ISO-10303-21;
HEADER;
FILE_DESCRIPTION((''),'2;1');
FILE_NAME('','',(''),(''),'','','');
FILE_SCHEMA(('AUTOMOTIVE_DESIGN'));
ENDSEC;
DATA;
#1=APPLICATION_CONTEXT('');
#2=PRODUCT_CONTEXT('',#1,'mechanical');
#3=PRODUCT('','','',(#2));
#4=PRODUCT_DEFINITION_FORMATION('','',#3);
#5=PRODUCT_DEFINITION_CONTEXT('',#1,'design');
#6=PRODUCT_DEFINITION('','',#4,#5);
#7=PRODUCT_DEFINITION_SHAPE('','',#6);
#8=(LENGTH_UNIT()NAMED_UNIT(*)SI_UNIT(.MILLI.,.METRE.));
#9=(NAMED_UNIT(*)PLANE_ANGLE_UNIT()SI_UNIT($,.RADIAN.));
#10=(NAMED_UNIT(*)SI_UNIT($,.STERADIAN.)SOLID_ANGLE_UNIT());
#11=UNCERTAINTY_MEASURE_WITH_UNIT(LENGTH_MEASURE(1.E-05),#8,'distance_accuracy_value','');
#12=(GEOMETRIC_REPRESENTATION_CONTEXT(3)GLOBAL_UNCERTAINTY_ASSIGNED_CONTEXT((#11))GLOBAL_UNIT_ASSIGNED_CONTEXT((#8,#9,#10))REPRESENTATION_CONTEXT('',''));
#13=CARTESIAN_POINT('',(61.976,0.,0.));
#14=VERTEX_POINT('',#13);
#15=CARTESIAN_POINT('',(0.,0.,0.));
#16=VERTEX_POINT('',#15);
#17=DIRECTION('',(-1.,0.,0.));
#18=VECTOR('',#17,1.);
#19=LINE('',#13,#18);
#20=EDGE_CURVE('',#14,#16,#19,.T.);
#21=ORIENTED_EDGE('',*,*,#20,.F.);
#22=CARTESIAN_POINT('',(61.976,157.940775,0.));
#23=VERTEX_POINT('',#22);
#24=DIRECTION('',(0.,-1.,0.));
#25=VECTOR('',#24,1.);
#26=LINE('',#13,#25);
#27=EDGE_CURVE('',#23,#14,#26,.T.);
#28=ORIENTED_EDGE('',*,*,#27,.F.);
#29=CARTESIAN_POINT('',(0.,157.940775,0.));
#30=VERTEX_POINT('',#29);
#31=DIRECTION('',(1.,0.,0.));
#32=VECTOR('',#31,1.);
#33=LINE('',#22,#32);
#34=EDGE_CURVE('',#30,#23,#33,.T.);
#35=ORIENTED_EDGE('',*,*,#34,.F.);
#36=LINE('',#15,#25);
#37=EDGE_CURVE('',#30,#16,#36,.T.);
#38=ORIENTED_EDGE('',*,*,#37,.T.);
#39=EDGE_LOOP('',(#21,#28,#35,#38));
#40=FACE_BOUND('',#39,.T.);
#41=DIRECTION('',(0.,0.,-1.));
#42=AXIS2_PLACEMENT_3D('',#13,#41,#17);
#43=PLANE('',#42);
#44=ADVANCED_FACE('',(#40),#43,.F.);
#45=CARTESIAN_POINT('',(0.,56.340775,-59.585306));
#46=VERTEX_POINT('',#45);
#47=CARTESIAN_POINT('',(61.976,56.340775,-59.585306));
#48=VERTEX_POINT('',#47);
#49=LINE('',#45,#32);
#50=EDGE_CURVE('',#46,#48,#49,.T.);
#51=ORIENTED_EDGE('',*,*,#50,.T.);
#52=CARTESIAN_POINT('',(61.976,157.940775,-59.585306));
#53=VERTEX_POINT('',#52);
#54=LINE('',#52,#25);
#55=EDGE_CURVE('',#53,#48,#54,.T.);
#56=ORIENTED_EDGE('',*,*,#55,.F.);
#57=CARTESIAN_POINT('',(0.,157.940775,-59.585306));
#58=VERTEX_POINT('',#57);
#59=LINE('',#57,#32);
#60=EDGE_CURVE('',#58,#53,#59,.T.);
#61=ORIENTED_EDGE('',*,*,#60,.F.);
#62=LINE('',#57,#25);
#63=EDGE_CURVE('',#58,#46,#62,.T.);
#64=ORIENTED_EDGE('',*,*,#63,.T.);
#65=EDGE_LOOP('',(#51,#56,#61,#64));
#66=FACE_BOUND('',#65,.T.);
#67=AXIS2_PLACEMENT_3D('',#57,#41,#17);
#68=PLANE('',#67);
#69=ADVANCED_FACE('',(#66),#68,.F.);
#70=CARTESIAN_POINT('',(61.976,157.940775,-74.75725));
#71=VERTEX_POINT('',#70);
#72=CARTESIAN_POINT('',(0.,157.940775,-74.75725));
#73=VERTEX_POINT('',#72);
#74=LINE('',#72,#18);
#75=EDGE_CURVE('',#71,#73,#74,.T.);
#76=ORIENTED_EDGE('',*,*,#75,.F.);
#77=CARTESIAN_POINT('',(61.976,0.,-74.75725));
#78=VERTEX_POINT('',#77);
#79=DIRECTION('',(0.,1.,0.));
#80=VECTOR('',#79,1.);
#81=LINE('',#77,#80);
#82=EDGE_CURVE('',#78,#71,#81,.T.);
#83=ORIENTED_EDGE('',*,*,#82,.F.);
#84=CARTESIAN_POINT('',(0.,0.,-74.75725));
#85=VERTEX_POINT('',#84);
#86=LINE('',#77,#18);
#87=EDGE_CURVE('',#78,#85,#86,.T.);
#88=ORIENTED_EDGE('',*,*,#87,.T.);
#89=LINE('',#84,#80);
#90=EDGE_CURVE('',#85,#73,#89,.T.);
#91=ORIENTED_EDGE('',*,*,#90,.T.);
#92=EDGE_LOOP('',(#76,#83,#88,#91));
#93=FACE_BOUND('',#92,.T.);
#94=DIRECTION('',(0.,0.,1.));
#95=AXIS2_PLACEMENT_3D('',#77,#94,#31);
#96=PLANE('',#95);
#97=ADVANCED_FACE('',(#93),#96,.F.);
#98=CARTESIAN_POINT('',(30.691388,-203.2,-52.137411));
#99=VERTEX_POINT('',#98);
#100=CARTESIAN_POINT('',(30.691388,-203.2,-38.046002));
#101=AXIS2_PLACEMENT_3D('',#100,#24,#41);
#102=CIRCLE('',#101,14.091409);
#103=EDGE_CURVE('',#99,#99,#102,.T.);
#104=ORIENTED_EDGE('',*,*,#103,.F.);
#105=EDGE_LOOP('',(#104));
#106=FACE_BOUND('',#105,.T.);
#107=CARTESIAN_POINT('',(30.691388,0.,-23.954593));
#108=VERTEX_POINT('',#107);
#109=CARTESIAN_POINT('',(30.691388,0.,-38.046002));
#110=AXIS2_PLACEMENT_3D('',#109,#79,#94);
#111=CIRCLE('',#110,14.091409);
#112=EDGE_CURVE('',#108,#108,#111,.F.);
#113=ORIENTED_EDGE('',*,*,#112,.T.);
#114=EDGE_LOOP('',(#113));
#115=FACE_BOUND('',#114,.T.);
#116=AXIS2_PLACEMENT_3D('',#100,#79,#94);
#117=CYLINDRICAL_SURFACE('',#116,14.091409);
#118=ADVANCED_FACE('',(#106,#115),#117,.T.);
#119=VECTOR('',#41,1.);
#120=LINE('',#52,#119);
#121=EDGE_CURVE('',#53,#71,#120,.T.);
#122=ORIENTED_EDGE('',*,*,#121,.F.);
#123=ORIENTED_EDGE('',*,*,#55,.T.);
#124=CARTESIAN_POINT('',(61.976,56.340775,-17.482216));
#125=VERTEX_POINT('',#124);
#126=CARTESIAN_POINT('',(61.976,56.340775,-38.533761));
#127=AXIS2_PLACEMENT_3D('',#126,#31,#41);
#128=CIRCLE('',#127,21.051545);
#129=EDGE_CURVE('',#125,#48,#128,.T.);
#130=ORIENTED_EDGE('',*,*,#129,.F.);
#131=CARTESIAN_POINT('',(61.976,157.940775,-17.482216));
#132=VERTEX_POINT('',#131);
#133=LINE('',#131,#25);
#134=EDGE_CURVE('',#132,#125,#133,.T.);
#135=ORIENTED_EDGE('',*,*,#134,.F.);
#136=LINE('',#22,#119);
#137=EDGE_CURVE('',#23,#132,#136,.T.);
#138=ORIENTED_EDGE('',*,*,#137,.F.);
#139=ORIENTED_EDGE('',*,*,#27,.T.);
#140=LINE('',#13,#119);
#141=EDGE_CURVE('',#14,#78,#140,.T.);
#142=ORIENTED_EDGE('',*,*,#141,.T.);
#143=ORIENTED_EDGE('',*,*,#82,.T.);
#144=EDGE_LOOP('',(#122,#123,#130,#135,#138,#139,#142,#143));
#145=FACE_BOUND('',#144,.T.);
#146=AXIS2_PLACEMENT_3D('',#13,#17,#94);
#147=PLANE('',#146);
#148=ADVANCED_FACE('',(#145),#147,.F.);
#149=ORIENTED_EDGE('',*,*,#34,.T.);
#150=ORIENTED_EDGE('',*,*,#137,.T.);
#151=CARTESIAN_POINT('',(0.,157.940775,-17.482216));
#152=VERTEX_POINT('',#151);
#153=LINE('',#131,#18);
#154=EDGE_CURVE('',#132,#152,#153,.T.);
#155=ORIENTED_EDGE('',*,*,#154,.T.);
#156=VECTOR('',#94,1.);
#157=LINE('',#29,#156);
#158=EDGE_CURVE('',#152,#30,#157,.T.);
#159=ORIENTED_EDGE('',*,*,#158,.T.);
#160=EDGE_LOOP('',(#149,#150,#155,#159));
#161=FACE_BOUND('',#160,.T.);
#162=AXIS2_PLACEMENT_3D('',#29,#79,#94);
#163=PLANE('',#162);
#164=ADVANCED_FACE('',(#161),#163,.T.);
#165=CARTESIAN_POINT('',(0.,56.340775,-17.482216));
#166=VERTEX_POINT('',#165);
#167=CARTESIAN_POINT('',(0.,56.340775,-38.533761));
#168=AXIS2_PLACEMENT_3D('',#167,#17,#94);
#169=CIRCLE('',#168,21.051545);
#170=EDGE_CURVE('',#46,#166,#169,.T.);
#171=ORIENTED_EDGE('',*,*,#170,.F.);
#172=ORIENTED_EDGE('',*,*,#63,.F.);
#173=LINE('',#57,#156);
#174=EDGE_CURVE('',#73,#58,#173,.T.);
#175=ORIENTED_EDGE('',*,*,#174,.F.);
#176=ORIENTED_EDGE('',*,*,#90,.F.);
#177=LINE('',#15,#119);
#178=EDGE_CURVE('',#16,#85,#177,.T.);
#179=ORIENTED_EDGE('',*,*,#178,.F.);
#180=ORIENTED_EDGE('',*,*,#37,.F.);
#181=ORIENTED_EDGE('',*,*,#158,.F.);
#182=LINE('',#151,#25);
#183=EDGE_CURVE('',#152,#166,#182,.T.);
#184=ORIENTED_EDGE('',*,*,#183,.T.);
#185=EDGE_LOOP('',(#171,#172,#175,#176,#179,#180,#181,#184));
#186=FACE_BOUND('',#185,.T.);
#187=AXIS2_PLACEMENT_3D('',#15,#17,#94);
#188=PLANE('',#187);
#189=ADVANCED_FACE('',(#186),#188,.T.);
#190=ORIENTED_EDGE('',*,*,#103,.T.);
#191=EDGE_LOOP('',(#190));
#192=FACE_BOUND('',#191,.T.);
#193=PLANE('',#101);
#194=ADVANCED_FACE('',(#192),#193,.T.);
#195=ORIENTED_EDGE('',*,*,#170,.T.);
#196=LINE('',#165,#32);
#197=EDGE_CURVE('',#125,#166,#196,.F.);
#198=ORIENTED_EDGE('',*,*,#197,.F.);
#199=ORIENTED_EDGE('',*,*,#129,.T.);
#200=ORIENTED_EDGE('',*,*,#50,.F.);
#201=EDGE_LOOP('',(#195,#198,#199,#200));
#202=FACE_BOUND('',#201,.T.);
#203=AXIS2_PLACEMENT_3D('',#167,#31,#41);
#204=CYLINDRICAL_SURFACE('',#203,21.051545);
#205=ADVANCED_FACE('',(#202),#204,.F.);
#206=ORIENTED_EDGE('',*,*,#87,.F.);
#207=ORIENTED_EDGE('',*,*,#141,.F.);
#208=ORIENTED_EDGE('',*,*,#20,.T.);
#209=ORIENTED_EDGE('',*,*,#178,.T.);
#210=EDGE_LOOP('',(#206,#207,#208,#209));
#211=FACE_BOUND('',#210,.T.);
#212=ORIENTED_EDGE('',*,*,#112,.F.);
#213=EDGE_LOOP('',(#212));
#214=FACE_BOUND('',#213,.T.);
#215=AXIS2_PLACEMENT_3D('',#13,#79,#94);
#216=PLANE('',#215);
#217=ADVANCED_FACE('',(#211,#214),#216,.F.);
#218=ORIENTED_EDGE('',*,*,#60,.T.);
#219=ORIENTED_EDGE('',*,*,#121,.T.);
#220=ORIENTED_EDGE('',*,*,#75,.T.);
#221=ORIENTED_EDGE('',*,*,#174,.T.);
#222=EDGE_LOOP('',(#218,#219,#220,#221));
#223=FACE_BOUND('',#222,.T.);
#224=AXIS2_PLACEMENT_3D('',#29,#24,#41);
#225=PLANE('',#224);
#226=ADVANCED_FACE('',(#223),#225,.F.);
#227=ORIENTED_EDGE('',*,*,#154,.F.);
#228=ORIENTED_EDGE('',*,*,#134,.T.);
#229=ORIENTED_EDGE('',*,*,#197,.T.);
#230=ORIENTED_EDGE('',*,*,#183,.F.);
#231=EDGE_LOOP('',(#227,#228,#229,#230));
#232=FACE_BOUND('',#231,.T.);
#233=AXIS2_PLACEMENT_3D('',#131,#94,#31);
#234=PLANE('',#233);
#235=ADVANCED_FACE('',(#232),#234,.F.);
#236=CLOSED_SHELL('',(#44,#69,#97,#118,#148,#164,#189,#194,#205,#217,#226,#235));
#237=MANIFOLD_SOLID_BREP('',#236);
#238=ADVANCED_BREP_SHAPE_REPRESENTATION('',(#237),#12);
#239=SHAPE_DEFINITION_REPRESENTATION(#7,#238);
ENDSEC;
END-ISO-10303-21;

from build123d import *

# Parameters (mm, degrees)
SKETCH1_W           = 74.757250499
SKETCH1_H           = 56.340774555
BOSS_EXTRUDE1_DEPTH = 61.976
SKETCH2_R           = 21.051545166
CUT_EXTRUDE1_DEPTH  = 61.976
SKETCH3_W           = 61.976
SKETCH3_H           = 17.482215828
BOSS_EXTRUDE2_DEPTH = 101.6
SKETCH4_R           = 14.091408647
BOSS_EXTRUDE3_DEPTH = 203.2
SKETCH5_W           = 61.976
SKETCH5_H           = 15.17194434
BOSS_EXTRUDE4_DEPTH = 101.6


with BuildPart() as part:
    # Sketch1 → Boss-Extrude1 (new body)
    with BuildSketch(Plane(origin=(0, 0, 0), x_dir=(0, 0, -1), z_dir=(1, 0, 0))):
        with Locations((37.37862525, 28.170387278)):
            Rectangle(SKETCH1_W, SKETCH1_H)
    extrude(amount=BOSS_EXTRUDE1_DEPTH)

    # Sketch2 → Cut-Extrude1 (cut)
    with BuildSketch(Plane(origin=(61.976, 0, 0), x_dir=(0, 0, -1), z_dir=(1, 0, 0))):
        with Locations((38.533760994, 56.340774555)):
            Circle(SKETCH2_R)
    extrude(amount=-CUT_EXTRUDE1_DEPTH, mode=Mode.SUBTRACT)

    # Sketch3 → Boss-Extrude2 (add)
    with BuildSketch(Plane(origin=(0, 56.340774555, 0), x_dir=(1, 0, 0), z_dir=(0, 1, 0))):
        with Locations((30.988, 8.741107914)):
            Rectangle(SKETCH3_W, SKETCH3_H)
    extrude(amount=BOSS_EXTRUDE2_DEPTH)

    # Sketch4 → Boss-Extrude3 (add)
    with BuildSketch(Plane.XZ):
        with Locations(Location((30.69138806, -38.046002115, 0), (0, 0, 90))):
            Circle(SKETCH4_R)
    extrude(amount=BOSS_EXTRUDE3_DEPTH)

    # Sketch5 → Boss-Extrude4 (add)
    with BuildSketch(Plane(origin=(0, 56.340774555, 0), x_dir=(1, 0, 0), z_dir=(0, 1, 0))):
        with Locations((30.988, 67.171278329)):
            Rectangle(SKETCH5_W, SKETCH5_H)
    extrude(amount=BOSS_EXTRUDE4_DEPTH)


solid = part.part
